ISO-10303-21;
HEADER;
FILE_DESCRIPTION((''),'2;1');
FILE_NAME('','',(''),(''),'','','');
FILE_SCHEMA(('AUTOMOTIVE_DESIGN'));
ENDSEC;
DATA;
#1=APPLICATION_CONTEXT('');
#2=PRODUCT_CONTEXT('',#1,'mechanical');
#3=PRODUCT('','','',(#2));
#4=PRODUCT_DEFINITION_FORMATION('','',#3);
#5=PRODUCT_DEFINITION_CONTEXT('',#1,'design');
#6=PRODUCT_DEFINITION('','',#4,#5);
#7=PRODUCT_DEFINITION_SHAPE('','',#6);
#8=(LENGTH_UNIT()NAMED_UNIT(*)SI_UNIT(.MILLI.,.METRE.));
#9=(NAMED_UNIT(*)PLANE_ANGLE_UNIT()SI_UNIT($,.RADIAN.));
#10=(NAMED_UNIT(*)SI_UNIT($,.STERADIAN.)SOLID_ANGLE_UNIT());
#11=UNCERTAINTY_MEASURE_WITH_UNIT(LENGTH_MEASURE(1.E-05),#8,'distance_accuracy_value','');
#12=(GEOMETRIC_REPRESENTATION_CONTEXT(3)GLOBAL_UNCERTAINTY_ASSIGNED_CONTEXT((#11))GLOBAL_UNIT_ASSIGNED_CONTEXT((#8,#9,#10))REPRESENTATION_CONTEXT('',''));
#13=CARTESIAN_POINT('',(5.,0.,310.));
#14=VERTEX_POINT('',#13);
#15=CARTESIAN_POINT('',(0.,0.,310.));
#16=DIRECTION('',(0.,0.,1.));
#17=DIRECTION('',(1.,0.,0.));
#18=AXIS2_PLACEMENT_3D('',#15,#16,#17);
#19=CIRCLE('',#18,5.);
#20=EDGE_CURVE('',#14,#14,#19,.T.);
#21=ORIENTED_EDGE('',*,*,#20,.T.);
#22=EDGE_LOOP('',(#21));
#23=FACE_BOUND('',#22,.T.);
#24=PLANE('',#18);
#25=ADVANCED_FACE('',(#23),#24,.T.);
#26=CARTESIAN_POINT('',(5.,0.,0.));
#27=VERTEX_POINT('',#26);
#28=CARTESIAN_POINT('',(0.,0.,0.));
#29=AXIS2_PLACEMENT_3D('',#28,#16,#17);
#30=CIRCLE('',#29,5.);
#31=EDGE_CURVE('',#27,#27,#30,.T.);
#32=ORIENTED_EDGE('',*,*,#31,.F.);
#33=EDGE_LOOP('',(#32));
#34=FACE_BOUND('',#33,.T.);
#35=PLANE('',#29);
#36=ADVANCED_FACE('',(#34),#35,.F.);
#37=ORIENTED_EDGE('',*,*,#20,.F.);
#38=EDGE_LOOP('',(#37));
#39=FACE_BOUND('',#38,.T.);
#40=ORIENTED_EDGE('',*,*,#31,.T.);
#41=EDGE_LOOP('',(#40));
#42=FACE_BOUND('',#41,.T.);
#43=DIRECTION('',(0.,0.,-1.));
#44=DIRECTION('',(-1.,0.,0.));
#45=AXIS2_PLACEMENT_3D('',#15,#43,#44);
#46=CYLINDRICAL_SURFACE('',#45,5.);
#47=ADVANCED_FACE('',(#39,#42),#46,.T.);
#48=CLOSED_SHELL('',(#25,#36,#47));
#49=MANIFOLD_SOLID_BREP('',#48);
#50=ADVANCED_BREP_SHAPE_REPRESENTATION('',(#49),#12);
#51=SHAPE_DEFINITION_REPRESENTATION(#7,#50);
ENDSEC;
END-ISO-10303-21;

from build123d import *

# Parameters (mm, degrees)
ESQUISSE2_R        = 5
BOSS_EXTRU_3_DEPTH = 310


with BuildPart() as part:
    # Esquisse2 → Boss.-Extru.3 (new body)
    with BuildSketch(Plane.XY):
        Circle(ESQUISSE2_R)
    extrude(amount=BOSS_EXTRU_3_DEPTH)


solid = part.part
